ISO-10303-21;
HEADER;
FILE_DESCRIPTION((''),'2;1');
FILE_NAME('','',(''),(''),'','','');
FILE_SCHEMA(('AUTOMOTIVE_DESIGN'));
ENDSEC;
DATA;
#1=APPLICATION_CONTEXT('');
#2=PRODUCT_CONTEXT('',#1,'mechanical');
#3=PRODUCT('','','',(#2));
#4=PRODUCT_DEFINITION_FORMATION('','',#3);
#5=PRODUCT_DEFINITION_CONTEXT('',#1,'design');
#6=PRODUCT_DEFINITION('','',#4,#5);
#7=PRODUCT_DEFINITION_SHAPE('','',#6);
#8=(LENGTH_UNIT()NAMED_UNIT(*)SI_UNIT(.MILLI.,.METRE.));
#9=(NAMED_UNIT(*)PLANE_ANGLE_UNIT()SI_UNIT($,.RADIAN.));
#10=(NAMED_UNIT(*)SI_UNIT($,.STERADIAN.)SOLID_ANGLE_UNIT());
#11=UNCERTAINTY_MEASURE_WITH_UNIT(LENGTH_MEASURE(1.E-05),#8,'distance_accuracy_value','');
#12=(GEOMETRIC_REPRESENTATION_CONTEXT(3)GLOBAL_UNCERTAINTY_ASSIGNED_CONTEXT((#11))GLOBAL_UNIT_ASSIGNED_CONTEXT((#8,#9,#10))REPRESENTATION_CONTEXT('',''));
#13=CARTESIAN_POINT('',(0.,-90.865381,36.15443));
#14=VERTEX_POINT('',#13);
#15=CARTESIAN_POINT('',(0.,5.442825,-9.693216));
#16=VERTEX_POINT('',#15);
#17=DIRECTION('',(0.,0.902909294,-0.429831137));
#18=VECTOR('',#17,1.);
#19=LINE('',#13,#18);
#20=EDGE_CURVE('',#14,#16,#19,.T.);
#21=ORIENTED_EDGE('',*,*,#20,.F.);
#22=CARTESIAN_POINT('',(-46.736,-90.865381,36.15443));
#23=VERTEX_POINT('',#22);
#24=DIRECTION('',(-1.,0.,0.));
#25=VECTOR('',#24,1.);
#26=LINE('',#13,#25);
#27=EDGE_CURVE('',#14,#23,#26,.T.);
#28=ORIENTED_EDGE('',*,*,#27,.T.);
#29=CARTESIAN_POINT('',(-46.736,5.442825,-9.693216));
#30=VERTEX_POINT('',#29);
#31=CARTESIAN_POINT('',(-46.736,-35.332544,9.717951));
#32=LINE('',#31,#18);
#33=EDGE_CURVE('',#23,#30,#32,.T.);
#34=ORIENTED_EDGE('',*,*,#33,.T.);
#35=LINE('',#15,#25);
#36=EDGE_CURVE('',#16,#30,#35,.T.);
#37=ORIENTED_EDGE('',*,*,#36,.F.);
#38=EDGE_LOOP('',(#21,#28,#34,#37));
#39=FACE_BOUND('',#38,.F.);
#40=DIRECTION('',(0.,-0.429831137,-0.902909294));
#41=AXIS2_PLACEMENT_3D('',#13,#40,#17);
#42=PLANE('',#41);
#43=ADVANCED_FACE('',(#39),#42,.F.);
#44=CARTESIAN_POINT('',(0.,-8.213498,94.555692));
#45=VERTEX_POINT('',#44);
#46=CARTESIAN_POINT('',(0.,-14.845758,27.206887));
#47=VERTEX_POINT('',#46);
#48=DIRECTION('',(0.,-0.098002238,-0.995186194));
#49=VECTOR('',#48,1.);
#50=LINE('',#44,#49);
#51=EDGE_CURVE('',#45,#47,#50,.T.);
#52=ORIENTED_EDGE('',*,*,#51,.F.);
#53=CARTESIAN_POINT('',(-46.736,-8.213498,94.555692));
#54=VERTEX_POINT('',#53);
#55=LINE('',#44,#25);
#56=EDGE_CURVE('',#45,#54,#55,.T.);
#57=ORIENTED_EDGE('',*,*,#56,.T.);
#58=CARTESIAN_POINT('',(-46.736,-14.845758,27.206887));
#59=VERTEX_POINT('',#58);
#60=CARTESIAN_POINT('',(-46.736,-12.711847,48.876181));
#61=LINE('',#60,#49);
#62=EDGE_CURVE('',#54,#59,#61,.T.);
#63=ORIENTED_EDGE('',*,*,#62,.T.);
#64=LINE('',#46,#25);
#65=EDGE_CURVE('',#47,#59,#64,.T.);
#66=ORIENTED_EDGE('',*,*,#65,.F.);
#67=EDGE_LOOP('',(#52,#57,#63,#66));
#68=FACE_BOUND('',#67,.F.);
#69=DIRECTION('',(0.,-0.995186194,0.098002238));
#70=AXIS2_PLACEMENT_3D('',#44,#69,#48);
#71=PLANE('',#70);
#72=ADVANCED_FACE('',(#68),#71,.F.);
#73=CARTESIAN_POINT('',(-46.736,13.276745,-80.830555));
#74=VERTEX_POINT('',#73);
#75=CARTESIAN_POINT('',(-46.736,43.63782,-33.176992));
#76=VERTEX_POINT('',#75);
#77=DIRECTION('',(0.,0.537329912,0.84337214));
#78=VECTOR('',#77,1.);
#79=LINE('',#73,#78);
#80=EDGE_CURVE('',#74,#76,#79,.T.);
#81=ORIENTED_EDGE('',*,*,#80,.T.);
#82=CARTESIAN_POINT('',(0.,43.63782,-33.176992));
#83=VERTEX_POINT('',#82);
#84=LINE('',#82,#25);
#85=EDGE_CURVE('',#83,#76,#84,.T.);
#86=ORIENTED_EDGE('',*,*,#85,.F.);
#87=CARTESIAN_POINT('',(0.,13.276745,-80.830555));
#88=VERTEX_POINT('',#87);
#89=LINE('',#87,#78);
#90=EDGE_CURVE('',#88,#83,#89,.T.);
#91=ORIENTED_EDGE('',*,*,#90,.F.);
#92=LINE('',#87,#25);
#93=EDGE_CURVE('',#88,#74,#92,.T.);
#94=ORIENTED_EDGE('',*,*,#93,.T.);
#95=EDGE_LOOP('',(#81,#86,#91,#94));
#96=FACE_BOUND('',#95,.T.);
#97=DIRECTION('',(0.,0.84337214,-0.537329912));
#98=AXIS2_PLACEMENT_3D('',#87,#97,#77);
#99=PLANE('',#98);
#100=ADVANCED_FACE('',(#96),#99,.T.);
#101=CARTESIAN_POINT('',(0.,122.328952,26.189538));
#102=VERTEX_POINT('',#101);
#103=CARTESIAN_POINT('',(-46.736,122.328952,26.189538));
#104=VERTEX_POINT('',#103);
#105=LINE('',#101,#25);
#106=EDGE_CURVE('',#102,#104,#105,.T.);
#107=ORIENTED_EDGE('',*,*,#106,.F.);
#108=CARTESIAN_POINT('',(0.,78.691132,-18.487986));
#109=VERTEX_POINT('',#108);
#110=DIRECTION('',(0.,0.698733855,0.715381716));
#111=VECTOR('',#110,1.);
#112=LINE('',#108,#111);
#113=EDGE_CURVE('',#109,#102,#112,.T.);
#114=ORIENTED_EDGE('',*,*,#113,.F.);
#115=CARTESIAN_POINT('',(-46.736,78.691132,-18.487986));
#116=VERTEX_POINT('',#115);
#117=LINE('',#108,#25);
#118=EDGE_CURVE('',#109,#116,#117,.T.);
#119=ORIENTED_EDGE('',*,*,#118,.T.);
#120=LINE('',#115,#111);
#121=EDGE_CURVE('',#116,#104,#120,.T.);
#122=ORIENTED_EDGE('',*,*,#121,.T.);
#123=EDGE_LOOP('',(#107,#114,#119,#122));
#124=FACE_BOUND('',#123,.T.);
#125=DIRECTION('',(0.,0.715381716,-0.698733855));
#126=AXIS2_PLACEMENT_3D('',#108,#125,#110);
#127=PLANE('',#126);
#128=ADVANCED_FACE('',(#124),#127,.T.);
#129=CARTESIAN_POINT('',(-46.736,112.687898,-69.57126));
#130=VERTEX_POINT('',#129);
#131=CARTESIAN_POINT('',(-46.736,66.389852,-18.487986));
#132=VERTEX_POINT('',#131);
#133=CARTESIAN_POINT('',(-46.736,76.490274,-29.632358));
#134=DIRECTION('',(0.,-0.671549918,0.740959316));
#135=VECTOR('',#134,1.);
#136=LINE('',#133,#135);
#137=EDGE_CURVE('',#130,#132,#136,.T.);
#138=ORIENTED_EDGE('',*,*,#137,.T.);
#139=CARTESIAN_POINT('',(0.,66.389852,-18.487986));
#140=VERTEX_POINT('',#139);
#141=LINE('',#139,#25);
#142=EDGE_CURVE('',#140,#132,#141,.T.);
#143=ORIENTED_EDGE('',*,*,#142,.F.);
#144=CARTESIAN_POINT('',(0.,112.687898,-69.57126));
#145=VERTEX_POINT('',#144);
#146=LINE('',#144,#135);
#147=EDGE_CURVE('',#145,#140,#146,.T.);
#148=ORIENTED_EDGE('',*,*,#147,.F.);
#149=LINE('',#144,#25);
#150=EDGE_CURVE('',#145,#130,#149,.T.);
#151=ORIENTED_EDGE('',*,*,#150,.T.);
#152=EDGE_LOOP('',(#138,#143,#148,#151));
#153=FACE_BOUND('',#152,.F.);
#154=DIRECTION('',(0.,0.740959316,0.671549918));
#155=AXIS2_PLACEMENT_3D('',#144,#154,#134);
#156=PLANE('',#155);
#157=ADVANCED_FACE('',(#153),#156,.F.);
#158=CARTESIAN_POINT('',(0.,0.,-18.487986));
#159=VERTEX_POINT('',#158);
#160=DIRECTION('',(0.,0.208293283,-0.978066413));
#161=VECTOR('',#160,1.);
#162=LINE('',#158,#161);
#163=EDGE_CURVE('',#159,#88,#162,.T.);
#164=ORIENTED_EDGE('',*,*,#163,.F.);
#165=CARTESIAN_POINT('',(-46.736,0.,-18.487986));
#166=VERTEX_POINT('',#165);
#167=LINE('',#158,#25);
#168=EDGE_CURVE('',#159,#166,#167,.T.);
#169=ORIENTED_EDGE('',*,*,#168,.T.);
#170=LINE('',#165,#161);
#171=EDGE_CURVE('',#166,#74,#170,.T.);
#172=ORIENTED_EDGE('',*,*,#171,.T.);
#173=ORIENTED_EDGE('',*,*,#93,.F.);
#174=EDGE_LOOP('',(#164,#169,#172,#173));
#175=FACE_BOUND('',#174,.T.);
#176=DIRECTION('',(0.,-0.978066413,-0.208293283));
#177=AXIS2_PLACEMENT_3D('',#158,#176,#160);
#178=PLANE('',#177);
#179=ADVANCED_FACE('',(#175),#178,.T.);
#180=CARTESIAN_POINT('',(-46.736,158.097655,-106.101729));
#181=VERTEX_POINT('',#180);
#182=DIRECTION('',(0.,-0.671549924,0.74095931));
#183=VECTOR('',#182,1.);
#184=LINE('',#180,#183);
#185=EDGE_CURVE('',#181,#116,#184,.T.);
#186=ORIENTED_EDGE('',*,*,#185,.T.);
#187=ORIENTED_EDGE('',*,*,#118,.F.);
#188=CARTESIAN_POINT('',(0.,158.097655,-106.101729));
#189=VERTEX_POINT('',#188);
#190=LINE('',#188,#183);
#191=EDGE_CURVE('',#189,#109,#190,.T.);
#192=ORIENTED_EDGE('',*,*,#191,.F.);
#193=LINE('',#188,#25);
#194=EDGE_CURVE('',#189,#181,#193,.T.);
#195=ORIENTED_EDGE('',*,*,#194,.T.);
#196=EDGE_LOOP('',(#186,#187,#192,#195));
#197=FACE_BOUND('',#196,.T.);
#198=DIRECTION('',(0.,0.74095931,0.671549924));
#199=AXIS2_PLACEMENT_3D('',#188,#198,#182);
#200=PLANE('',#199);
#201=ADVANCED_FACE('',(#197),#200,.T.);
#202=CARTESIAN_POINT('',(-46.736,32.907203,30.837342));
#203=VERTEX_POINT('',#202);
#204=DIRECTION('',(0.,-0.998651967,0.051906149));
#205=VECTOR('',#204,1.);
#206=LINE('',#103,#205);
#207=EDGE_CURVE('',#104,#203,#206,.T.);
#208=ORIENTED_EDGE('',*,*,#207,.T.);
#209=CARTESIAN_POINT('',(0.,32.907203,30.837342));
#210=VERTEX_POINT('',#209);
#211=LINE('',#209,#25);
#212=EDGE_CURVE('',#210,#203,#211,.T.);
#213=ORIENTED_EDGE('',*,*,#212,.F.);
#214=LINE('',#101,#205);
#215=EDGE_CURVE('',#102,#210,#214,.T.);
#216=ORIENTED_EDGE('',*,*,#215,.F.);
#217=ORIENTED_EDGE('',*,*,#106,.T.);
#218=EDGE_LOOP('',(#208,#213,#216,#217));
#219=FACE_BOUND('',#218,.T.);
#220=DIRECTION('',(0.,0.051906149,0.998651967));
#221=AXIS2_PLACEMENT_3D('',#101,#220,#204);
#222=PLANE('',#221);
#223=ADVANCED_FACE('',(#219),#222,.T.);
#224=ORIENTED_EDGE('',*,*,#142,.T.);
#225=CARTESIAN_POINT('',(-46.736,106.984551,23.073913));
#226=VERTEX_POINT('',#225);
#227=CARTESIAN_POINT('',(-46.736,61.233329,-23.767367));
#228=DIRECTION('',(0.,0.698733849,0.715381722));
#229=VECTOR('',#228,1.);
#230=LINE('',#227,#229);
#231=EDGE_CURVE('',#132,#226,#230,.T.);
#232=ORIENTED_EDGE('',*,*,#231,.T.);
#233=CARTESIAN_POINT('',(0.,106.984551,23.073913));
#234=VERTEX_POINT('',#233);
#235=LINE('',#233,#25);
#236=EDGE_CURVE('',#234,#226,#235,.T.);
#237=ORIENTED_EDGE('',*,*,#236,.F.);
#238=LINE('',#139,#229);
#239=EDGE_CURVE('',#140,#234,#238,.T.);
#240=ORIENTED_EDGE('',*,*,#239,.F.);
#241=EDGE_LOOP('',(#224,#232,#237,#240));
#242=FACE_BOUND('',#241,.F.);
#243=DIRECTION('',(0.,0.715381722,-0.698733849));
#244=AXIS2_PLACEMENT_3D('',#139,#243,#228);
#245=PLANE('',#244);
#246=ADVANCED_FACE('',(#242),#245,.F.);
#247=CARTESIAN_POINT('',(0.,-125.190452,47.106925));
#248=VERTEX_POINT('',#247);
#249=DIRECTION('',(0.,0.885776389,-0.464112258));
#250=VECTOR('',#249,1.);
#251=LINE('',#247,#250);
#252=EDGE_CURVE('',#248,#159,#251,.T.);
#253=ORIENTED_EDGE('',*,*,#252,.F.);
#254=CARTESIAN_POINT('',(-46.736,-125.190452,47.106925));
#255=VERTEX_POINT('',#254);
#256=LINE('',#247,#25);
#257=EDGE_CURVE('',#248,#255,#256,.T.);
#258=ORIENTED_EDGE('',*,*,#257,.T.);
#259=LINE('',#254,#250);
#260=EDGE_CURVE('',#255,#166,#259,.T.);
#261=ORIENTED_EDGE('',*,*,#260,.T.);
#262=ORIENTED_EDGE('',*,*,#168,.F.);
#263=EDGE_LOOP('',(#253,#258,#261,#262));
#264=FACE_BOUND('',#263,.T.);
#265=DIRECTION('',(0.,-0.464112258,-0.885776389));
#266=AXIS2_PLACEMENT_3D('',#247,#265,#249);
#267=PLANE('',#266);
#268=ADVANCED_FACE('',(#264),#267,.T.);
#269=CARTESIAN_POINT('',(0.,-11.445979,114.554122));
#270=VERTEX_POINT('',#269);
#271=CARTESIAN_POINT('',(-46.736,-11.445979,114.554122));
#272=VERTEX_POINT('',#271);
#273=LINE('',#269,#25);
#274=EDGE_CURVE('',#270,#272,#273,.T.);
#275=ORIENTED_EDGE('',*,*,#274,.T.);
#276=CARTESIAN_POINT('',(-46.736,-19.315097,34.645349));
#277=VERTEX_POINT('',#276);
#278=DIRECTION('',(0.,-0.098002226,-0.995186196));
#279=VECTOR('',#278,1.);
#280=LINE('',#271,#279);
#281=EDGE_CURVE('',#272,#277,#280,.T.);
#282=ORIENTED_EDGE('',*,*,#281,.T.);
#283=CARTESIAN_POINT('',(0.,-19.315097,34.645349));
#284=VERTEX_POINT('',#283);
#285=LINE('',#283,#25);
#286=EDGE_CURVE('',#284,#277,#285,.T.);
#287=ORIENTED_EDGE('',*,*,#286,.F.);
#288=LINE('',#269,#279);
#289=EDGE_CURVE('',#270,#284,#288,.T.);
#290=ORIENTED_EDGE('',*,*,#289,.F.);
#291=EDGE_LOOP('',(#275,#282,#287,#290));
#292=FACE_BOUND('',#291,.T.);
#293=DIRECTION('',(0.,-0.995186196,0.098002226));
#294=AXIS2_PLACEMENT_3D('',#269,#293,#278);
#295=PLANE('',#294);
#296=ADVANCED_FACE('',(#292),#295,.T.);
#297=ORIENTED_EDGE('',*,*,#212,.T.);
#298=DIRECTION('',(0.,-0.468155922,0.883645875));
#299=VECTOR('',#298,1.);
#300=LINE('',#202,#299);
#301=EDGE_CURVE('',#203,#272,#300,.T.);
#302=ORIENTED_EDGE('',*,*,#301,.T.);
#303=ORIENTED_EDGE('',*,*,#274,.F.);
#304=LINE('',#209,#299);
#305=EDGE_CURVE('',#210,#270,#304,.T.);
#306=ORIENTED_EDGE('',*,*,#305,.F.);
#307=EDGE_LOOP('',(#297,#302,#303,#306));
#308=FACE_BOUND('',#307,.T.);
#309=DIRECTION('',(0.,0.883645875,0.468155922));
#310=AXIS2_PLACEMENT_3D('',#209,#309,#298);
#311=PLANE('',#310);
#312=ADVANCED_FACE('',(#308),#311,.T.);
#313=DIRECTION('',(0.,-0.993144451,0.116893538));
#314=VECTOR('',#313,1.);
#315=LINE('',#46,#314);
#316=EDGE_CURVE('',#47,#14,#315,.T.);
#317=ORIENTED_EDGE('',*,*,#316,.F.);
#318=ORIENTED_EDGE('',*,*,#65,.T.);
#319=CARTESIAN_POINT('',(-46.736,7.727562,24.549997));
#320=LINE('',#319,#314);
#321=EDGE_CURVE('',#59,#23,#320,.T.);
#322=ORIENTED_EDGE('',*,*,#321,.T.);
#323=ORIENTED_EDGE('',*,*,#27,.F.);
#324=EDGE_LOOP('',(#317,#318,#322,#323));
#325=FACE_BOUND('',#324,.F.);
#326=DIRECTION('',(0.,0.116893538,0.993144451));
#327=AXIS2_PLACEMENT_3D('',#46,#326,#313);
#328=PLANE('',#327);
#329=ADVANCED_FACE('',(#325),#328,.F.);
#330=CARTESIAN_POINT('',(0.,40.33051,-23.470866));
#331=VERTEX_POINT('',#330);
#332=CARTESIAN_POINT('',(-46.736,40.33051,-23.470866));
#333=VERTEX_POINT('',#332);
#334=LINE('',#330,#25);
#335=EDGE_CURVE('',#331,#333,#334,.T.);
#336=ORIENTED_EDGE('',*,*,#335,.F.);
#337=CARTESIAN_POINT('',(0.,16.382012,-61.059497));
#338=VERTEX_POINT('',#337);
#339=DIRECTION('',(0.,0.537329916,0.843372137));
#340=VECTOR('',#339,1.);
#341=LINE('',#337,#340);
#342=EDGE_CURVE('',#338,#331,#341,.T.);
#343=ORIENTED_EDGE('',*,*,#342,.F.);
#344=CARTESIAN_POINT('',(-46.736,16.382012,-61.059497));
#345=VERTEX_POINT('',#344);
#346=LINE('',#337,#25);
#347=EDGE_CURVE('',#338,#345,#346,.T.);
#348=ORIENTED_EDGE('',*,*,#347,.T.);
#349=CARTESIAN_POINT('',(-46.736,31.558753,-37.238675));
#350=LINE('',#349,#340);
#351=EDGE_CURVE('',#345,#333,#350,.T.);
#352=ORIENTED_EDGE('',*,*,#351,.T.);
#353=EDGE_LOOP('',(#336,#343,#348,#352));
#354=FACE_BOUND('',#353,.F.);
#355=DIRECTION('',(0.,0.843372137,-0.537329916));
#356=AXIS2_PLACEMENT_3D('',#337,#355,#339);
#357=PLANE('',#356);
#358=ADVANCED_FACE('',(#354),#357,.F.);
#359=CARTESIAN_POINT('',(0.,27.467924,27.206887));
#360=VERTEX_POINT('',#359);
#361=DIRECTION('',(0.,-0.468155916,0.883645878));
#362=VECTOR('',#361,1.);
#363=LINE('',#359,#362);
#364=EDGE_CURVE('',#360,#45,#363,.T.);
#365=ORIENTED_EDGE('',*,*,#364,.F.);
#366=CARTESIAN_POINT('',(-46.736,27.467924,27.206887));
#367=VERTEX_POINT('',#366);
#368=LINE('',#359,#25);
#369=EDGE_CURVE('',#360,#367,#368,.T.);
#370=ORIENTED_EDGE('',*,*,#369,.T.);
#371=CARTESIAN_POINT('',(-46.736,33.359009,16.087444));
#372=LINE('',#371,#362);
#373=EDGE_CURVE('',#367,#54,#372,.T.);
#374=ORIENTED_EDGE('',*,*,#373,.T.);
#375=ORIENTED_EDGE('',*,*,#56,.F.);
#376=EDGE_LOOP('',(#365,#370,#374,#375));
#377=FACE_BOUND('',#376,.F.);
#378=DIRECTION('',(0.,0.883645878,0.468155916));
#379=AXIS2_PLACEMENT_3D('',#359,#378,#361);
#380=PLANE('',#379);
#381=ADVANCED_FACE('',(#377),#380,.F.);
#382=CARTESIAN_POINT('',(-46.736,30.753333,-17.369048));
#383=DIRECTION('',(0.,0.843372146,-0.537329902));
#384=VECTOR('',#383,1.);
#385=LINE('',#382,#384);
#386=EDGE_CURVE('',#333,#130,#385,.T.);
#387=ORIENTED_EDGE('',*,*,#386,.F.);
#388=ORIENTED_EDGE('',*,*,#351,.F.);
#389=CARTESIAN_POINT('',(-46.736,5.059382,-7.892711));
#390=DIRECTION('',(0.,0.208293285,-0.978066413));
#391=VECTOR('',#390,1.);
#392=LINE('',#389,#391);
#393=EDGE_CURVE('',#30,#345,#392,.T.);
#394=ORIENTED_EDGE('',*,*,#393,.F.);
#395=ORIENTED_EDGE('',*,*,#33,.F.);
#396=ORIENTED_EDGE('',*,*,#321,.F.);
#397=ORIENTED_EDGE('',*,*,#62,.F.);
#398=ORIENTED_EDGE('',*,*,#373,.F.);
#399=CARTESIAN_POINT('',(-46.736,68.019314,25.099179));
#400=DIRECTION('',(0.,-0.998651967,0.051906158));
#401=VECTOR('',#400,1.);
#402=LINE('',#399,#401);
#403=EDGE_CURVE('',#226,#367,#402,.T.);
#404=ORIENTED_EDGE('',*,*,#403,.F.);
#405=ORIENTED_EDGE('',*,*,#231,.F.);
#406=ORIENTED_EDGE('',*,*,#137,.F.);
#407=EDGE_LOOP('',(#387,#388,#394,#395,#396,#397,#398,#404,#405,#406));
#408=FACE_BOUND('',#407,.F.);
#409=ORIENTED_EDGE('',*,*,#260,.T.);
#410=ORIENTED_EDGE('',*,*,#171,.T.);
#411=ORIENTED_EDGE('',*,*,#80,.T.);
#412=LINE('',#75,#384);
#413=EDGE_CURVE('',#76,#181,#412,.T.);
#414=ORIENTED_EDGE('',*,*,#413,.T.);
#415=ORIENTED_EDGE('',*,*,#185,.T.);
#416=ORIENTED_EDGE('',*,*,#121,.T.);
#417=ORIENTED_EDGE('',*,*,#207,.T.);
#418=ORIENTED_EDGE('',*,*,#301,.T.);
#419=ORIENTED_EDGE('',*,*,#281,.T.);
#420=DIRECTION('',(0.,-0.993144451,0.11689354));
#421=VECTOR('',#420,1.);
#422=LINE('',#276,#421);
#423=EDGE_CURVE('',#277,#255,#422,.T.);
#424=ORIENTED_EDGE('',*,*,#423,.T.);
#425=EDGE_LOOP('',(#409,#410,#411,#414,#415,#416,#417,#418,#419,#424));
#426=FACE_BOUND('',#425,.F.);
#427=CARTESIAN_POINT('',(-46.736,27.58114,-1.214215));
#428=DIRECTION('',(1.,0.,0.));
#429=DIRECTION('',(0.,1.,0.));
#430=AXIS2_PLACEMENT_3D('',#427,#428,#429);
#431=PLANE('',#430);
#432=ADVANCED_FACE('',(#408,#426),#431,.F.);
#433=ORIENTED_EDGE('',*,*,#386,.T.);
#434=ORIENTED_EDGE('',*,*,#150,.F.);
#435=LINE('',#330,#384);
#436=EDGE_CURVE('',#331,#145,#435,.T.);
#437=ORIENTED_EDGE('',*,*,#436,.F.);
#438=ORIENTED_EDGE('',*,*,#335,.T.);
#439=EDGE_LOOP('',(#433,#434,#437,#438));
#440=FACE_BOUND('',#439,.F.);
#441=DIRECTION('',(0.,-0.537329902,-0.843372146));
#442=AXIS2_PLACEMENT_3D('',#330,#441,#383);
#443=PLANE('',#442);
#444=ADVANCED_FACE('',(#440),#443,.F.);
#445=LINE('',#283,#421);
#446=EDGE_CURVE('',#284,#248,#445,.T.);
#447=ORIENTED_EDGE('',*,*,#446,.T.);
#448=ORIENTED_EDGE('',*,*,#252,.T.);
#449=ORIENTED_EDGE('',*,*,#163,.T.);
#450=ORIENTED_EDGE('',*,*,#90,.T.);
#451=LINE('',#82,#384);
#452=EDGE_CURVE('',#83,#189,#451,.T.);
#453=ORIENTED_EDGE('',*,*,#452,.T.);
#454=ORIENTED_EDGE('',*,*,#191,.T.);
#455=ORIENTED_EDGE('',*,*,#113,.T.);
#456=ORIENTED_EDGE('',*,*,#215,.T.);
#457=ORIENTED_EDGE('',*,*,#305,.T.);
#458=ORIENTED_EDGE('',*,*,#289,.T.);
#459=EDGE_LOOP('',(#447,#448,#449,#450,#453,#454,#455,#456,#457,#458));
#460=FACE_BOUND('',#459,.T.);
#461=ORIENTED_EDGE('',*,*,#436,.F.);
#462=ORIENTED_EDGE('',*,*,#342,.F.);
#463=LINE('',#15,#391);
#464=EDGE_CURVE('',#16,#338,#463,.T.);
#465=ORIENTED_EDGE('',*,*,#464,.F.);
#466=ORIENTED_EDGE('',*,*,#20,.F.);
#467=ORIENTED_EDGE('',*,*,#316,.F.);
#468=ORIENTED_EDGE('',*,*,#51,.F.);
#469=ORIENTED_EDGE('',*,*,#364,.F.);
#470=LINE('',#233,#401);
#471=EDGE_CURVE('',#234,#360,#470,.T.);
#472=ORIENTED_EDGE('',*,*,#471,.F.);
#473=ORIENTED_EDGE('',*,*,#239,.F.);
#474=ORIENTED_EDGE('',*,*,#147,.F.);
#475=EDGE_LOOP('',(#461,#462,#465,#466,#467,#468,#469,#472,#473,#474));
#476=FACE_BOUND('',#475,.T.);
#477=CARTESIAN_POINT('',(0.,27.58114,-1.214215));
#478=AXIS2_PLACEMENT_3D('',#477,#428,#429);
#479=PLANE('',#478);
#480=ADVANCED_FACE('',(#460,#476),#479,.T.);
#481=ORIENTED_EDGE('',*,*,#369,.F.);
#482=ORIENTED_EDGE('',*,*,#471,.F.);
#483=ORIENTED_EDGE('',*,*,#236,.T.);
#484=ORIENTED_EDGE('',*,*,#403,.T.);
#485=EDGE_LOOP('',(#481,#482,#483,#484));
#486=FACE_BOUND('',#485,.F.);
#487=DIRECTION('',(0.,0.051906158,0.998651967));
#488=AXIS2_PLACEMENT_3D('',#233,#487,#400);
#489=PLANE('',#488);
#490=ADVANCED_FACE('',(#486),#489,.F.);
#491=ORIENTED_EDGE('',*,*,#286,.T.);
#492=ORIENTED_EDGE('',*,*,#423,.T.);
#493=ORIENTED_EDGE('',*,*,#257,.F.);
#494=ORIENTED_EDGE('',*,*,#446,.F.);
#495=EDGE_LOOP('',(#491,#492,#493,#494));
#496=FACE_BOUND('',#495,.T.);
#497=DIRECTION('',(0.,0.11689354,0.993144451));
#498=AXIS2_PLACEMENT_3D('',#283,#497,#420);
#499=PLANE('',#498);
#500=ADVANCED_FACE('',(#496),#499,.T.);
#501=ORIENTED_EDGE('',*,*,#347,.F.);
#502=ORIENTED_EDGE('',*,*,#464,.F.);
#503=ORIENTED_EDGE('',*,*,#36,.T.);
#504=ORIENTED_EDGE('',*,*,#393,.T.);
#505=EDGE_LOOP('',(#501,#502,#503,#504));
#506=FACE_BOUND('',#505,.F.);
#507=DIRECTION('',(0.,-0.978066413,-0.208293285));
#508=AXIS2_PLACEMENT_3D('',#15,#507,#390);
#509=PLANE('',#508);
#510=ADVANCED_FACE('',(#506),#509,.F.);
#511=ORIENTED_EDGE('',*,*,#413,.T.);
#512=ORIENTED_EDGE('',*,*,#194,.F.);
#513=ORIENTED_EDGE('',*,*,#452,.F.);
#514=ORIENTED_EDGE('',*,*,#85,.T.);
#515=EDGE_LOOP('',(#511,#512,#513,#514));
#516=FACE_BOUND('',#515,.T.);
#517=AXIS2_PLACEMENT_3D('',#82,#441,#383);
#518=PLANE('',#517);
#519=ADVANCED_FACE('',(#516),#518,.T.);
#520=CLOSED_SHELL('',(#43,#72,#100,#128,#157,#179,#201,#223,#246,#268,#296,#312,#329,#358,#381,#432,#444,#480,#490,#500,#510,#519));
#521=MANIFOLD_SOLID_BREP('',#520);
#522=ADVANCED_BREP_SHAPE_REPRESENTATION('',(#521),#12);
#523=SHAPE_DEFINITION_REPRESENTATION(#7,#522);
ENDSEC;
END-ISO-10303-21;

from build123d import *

# Parameters (mm, degrees)
F1_DEPTH = 46.736
F3_DEPTH = 103.124


with BuildPart() as f1:
    # F0 (on Right) → F1 (new body)
    with BuildSketch(Plane.YZ):
        Polygon((-11.445979, 114.554122), (-19.315097, 34.645349), (-125.190452, 47.106925), (0, -18.487986), (13.276745, -80.830555), (43.63782, -33.176992), (158.097655, -106.101729), (78.691132, -18.487986), (122.328952, 26.189538), (32.907203, 30.837342), align=None)
    extrude(amount=-F1_DEPTH)

    # F2 (on face) → F3 (cut)
    with BuildSketch(Plane.YZ):
        Polygon((-14.845758, 27.206887), (-90.865381, 36.15443), (5.442825, -9.693216), (16.382012, -61.059497), (40.33051, -23.470866), (112.687898, -69.57126), (66.389852, -18.487986), (106.984551, 23.073913), (27.467924, 27.206887), (-8.213498, 94.555692), align=None)
    extrude(amount=-F3_DEPTH, mode=Mode.SUBTRACT)


solid = f1.part
